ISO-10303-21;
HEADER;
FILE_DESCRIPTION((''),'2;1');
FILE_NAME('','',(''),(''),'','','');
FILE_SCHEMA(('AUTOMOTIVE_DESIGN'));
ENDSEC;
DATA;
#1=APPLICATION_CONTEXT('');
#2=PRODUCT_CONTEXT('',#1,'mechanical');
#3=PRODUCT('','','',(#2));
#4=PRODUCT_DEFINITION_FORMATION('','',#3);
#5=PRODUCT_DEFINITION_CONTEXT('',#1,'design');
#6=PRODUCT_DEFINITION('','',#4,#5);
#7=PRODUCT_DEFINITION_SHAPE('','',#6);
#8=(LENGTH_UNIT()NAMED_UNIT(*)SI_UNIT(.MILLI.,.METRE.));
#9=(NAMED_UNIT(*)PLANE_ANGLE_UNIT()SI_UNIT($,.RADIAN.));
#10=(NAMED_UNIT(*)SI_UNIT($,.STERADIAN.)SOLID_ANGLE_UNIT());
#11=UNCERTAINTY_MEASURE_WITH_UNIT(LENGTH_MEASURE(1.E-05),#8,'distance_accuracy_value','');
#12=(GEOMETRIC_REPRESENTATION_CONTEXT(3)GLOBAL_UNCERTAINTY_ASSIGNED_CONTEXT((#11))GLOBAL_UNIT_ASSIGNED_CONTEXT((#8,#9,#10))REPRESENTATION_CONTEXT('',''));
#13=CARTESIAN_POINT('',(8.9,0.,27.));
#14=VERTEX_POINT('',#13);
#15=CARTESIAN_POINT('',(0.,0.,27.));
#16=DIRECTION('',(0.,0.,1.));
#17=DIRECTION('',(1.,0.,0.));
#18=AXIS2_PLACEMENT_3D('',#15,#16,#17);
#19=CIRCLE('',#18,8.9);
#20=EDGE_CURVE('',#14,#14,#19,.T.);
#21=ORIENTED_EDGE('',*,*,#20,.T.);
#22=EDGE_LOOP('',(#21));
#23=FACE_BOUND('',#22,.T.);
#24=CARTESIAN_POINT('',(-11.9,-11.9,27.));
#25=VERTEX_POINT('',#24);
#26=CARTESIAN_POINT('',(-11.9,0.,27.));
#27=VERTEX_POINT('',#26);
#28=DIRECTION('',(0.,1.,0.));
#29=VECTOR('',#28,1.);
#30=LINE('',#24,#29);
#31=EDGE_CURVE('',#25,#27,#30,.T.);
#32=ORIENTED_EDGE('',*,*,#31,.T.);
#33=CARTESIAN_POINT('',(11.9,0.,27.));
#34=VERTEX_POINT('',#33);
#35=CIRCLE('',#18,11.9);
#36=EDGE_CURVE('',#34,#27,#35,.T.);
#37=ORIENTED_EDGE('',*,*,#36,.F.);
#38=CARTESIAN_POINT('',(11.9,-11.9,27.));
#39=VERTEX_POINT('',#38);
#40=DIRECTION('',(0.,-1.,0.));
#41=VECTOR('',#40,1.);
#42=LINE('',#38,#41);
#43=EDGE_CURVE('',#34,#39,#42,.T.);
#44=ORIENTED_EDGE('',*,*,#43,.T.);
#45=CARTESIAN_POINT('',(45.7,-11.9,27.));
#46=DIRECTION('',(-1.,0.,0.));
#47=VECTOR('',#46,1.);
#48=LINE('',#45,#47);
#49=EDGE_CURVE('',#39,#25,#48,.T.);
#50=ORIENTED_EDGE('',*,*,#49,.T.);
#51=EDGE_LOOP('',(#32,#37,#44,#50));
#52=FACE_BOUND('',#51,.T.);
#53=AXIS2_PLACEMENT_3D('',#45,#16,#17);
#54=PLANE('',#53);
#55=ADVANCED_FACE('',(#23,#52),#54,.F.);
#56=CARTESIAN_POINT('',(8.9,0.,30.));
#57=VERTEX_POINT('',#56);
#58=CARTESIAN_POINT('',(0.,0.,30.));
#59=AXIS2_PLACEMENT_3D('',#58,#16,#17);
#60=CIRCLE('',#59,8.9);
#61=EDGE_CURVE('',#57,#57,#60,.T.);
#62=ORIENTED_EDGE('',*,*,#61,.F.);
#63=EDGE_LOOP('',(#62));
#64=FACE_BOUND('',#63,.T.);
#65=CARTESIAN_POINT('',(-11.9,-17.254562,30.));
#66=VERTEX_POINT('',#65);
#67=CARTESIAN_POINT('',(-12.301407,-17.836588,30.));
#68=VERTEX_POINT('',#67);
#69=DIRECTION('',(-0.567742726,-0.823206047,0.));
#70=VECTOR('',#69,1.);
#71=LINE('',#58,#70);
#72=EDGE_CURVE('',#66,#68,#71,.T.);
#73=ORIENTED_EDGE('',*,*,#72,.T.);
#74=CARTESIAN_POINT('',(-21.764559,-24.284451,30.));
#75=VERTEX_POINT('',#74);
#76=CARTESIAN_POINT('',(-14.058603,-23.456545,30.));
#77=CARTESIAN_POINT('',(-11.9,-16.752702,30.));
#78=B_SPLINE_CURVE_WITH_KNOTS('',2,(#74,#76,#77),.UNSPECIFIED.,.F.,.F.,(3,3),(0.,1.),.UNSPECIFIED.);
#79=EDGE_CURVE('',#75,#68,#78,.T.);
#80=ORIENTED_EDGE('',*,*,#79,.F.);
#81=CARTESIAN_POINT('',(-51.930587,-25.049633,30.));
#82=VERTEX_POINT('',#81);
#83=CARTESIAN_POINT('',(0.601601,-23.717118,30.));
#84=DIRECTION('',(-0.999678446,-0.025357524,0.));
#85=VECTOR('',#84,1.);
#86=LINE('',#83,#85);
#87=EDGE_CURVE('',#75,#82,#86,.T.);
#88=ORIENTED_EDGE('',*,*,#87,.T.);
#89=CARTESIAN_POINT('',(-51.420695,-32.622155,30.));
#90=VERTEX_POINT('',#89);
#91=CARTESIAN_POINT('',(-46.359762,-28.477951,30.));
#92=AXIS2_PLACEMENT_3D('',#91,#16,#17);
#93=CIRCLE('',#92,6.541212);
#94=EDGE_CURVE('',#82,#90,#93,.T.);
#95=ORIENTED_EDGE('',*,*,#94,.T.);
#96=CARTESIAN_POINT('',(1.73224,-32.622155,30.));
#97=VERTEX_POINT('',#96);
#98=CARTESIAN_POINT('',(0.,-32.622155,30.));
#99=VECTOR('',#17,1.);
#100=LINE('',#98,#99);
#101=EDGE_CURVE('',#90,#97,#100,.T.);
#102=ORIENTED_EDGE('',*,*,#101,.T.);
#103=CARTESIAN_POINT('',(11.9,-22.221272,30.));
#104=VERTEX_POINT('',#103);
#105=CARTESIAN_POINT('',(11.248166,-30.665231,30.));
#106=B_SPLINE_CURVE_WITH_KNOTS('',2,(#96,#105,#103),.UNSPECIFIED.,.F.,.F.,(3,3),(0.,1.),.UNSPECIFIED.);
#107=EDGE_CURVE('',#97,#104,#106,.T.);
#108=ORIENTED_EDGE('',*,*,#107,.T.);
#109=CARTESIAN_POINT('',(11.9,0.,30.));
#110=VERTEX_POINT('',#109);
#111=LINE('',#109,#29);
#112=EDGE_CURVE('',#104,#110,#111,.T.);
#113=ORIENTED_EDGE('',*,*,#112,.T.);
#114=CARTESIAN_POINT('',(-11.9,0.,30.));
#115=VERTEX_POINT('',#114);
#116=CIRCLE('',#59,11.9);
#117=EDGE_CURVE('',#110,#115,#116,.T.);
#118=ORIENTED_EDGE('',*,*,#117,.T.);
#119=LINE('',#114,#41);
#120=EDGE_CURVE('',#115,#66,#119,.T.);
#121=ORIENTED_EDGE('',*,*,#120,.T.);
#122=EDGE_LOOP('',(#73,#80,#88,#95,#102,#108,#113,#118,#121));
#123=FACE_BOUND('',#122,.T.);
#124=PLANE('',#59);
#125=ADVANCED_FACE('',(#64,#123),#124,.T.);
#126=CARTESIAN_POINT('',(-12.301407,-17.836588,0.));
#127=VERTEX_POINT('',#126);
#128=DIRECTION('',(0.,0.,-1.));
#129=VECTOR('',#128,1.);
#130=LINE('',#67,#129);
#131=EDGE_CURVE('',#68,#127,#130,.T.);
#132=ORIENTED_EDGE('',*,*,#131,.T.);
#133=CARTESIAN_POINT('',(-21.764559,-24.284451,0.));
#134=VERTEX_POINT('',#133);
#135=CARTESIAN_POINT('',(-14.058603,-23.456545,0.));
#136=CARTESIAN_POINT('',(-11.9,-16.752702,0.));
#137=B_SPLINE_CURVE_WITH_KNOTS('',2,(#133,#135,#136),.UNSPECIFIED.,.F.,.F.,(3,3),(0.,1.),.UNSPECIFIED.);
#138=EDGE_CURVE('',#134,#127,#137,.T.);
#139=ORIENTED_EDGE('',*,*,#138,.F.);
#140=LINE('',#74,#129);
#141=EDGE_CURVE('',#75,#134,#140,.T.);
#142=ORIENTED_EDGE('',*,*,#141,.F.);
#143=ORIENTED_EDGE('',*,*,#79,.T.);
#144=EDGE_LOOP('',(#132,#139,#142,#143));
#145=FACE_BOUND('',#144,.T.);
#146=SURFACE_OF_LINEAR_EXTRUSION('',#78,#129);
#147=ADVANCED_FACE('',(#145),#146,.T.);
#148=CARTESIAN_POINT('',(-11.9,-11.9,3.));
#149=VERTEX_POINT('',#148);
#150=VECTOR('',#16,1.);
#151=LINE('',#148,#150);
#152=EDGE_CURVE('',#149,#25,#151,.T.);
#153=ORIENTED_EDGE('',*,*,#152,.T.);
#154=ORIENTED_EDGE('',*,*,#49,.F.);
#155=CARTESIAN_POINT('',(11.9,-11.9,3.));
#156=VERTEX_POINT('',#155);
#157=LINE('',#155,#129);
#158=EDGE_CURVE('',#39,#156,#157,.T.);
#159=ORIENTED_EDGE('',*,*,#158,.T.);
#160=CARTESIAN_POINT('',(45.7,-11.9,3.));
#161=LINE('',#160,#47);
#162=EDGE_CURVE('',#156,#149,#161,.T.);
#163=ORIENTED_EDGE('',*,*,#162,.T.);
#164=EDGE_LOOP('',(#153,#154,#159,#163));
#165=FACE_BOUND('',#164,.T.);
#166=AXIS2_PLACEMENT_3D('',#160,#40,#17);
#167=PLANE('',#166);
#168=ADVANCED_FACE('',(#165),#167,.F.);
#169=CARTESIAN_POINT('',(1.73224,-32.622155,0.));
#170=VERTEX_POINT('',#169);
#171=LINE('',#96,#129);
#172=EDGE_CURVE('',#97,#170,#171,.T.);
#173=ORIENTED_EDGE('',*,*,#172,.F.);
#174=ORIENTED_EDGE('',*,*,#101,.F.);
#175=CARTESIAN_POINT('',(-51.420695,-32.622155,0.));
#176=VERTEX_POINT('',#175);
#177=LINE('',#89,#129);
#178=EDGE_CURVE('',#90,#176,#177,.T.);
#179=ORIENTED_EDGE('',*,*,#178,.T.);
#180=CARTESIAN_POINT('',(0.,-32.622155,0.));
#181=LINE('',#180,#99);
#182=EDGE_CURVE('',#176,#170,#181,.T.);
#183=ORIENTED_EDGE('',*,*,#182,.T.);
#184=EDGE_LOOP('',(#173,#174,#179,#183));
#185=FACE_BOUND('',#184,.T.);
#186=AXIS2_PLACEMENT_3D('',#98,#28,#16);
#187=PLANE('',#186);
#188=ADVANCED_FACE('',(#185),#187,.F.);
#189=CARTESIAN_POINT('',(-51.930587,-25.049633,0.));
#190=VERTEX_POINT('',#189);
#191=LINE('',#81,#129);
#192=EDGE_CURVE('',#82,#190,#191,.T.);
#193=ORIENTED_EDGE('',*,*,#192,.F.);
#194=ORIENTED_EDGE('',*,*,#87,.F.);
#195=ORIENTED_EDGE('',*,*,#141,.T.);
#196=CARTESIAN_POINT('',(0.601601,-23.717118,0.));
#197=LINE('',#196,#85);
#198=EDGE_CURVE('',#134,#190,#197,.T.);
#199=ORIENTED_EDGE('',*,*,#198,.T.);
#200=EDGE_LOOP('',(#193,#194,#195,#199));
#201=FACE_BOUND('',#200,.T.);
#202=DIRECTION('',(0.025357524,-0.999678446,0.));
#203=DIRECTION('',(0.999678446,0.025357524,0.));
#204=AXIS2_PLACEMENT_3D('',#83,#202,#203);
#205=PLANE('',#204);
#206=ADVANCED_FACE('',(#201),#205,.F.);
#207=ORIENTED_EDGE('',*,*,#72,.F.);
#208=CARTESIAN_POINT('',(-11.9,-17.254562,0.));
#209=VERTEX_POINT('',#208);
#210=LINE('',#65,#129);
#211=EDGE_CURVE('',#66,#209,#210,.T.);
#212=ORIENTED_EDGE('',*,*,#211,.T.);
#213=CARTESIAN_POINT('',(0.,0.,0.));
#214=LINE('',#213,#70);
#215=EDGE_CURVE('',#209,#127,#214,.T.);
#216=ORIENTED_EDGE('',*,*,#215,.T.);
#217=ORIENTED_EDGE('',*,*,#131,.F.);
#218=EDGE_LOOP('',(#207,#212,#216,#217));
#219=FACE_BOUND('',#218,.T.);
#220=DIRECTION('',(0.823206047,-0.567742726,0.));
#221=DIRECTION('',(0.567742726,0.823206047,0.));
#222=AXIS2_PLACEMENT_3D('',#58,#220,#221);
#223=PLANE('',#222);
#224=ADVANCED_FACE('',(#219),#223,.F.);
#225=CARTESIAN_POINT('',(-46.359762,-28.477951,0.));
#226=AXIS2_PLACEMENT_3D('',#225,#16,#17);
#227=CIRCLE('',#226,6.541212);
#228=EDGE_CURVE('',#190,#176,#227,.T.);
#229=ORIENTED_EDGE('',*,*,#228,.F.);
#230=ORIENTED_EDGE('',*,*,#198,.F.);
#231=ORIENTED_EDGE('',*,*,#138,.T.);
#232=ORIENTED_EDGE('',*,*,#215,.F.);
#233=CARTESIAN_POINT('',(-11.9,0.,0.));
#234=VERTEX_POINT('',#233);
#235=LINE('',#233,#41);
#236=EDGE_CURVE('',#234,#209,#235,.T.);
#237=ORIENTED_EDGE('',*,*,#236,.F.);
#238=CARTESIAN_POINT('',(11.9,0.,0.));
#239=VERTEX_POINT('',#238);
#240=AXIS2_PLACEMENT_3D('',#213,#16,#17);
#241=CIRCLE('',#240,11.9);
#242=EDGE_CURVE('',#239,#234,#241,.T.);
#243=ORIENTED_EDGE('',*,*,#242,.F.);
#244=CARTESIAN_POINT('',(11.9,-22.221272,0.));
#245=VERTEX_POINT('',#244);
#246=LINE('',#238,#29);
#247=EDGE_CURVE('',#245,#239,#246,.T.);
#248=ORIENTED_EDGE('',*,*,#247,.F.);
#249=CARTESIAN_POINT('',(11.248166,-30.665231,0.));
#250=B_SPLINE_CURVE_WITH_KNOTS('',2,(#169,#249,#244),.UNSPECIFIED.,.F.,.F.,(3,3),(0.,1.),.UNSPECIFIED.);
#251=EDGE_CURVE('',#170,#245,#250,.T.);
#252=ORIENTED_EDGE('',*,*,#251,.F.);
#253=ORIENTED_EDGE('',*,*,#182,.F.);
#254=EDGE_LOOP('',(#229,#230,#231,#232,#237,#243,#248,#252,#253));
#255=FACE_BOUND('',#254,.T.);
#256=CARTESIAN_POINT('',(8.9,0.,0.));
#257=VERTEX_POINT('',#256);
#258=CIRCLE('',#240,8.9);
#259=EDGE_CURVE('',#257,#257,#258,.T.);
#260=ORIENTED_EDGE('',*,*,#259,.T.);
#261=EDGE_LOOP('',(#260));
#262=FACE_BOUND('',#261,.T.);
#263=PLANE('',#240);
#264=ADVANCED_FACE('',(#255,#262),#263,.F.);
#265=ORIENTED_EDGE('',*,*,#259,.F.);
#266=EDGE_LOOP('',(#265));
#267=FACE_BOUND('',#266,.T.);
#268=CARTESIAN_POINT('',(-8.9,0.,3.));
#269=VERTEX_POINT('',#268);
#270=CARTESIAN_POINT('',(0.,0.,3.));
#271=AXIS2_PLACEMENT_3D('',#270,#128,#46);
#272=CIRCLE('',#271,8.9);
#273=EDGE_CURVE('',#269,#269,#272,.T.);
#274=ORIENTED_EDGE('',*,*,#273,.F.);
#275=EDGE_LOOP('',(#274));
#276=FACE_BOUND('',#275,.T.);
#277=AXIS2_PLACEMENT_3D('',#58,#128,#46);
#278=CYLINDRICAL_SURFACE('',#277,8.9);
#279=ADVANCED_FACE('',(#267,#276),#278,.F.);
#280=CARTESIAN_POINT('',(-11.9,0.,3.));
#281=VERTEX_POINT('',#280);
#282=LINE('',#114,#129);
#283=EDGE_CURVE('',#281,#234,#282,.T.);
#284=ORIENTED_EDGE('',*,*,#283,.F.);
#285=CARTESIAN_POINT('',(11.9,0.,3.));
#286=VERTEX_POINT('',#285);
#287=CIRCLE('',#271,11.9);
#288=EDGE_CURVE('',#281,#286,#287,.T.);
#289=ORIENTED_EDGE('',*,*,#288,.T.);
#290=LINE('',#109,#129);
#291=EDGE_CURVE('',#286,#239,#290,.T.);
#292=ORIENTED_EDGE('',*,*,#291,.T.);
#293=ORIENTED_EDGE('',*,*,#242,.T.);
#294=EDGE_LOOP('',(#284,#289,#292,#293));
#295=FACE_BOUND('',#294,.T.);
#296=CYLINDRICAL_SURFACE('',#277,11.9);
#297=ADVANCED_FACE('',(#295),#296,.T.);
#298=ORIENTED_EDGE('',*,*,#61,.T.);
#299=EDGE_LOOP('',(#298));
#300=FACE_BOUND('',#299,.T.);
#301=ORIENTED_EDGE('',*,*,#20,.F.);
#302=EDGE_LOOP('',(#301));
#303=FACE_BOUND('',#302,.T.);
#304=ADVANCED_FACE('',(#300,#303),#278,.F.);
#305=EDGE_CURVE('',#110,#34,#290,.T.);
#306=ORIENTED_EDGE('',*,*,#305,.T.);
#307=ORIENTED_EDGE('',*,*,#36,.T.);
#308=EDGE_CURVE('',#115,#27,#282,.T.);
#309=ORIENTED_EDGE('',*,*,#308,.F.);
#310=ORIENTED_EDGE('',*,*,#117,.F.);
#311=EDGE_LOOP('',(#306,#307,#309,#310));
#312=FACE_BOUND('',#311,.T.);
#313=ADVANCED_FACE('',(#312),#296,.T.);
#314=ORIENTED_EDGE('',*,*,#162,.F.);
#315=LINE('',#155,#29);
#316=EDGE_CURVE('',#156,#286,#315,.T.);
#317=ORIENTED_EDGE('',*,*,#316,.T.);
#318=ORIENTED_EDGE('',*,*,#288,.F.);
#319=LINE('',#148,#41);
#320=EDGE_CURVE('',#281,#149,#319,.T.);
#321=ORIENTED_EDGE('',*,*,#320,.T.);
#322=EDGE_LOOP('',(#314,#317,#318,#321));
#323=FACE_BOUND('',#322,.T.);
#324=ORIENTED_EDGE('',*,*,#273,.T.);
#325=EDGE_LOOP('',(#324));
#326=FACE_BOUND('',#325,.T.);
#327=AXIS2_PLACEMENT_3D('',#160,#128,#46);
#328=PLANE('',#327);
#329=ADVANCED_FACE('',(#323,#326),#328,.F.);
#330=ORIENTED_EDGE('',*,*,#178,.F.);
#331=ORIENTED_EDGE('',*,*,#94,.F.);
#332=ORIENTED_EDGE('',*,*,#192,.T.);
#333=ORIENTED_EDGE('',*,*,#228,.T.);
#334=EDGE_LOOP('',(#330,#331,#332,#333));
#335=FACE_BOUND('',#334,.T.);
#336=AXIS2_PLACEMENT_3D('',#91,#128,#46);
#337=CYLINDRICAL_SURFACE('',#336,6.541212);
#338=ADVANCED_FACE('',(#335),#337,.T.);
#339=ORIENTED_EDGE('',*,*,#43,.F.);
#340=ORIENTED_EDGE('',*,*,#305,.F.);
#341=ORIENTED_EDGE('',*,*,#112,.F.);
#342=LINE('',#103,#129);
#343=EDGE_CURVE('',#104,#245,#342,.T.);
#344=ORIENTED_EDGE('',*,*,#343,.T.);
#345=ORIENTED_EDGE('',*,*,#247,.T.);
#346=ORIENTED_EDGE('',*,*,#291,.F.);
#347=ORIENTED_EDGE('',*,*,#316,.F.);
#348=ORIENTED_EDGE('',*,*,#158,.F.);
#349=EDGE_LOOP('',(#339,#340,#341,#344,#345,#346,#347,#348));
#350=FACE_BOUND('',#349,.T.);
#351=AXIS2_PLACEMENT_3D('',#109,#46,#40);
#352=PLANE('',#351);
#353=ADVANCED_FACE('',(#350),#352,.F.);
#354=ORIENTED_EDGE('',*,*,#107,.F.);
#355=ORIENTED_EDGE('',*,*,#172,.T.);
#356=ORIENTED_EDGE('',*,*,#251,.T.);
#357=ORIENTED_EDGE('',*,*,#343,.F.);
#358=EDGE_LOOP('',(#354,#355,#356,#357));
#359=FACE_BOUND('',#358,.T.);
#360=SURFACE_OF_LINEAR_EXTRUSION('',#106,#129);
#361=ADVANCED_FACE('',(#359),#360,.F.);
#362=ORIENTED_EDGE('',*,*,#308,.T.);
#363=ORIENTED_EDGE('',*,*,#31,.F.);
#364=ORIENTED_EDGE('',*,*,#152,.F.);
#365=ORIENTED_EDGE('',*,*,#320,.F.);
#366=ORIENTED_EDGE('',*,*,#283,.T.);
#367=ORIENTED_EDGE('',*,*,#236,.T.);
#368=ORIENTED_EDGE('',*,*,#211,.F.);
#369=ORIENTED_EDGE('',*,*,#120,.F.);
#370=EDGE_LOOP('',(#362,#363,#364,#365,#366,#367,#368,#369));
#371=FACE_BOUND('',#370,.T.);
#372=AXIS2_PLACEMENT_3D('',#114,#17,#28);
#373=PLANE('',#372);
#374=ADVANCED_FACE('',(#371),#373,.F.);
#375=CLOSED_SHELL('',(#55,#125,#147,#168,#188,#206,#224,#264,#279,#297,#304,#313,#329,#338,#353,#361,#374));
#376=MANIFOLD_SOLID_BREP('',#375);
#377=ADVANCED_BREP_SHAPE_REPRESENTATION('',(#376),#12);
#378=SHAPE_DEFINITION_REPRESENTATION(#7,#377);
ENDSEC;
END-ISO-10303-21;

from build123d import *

# Parameters (mm, degrees)
SKETCH1_R           = 8.9
BOSS_EXTRUDE1_DEPTH = 30
SKETCH2_W           = 24
SKETCH2_H           = 23.8
CUT_EXTRUDE1_DEPTH  = 23.8


with BuildPart() as part:
    # Sketch1 → Boss-Extrude1 (new body)
    with BuildSketch(Plane.XY):
        with BuildLine():
            ThreePointArc((11.9, 0), (0, 11.9), (-11.9, 0))
            Line((-11.9, 0), (-11.9, -16.75270202))
            Line((-11.9, -16.75270202), (-11.9, -17.254561811))
            Line((-11.9, -17.254561811), (-12.301407367, -17.836587713))
            add(Edge.make_bspline(
                [(-21.764559413, -24.28445135), (-14.705345203, -23.52602921), (-12.301407367, -17.836587713)],
                knots=[0, 0, 0, 0.916072404, 0.916072404, 0.916072404], degree=2))
            Line((-21.764559413, -24.28445135), (-51.930587301, -25.04963318))
            ThreePointArc((-51.930587301, -25.04963318), (-52.886196001, -28.917406192), (-51.420694634, -32.62215474))
            Line((-51.420694634, -32.62215474), (1.732240064, -32.62215474))
            add(Edge.make_bspline(
                [(1.732240064, -32.62215474), (11.248165951, -30.665230595), (11.9, -22.221272353)],
                knots=[0, 0, 0, 1, 1, 1], degree=2))
            Line((11.9, -22.221272353), (11.9, 0))
        make_face()
        Circle(SKETCH1_R, mode=Mode.SUBTRACT)
    extrude(amount=BOSS_EXTRUDE1_DEPTH)

    # Sketch2 → Cut-Extrude1 (cut)
    with BuildSketch(Plane.ZY.offset(11.9)):
        with Locations((15, 0)):
            Rectangle(SKETCH2_W, SKETCH2_H)
    extrude(amount=-CUT_EXTRUDE1_DEPTH, mode=Mode.SUBTRACT)


solid = part.part
